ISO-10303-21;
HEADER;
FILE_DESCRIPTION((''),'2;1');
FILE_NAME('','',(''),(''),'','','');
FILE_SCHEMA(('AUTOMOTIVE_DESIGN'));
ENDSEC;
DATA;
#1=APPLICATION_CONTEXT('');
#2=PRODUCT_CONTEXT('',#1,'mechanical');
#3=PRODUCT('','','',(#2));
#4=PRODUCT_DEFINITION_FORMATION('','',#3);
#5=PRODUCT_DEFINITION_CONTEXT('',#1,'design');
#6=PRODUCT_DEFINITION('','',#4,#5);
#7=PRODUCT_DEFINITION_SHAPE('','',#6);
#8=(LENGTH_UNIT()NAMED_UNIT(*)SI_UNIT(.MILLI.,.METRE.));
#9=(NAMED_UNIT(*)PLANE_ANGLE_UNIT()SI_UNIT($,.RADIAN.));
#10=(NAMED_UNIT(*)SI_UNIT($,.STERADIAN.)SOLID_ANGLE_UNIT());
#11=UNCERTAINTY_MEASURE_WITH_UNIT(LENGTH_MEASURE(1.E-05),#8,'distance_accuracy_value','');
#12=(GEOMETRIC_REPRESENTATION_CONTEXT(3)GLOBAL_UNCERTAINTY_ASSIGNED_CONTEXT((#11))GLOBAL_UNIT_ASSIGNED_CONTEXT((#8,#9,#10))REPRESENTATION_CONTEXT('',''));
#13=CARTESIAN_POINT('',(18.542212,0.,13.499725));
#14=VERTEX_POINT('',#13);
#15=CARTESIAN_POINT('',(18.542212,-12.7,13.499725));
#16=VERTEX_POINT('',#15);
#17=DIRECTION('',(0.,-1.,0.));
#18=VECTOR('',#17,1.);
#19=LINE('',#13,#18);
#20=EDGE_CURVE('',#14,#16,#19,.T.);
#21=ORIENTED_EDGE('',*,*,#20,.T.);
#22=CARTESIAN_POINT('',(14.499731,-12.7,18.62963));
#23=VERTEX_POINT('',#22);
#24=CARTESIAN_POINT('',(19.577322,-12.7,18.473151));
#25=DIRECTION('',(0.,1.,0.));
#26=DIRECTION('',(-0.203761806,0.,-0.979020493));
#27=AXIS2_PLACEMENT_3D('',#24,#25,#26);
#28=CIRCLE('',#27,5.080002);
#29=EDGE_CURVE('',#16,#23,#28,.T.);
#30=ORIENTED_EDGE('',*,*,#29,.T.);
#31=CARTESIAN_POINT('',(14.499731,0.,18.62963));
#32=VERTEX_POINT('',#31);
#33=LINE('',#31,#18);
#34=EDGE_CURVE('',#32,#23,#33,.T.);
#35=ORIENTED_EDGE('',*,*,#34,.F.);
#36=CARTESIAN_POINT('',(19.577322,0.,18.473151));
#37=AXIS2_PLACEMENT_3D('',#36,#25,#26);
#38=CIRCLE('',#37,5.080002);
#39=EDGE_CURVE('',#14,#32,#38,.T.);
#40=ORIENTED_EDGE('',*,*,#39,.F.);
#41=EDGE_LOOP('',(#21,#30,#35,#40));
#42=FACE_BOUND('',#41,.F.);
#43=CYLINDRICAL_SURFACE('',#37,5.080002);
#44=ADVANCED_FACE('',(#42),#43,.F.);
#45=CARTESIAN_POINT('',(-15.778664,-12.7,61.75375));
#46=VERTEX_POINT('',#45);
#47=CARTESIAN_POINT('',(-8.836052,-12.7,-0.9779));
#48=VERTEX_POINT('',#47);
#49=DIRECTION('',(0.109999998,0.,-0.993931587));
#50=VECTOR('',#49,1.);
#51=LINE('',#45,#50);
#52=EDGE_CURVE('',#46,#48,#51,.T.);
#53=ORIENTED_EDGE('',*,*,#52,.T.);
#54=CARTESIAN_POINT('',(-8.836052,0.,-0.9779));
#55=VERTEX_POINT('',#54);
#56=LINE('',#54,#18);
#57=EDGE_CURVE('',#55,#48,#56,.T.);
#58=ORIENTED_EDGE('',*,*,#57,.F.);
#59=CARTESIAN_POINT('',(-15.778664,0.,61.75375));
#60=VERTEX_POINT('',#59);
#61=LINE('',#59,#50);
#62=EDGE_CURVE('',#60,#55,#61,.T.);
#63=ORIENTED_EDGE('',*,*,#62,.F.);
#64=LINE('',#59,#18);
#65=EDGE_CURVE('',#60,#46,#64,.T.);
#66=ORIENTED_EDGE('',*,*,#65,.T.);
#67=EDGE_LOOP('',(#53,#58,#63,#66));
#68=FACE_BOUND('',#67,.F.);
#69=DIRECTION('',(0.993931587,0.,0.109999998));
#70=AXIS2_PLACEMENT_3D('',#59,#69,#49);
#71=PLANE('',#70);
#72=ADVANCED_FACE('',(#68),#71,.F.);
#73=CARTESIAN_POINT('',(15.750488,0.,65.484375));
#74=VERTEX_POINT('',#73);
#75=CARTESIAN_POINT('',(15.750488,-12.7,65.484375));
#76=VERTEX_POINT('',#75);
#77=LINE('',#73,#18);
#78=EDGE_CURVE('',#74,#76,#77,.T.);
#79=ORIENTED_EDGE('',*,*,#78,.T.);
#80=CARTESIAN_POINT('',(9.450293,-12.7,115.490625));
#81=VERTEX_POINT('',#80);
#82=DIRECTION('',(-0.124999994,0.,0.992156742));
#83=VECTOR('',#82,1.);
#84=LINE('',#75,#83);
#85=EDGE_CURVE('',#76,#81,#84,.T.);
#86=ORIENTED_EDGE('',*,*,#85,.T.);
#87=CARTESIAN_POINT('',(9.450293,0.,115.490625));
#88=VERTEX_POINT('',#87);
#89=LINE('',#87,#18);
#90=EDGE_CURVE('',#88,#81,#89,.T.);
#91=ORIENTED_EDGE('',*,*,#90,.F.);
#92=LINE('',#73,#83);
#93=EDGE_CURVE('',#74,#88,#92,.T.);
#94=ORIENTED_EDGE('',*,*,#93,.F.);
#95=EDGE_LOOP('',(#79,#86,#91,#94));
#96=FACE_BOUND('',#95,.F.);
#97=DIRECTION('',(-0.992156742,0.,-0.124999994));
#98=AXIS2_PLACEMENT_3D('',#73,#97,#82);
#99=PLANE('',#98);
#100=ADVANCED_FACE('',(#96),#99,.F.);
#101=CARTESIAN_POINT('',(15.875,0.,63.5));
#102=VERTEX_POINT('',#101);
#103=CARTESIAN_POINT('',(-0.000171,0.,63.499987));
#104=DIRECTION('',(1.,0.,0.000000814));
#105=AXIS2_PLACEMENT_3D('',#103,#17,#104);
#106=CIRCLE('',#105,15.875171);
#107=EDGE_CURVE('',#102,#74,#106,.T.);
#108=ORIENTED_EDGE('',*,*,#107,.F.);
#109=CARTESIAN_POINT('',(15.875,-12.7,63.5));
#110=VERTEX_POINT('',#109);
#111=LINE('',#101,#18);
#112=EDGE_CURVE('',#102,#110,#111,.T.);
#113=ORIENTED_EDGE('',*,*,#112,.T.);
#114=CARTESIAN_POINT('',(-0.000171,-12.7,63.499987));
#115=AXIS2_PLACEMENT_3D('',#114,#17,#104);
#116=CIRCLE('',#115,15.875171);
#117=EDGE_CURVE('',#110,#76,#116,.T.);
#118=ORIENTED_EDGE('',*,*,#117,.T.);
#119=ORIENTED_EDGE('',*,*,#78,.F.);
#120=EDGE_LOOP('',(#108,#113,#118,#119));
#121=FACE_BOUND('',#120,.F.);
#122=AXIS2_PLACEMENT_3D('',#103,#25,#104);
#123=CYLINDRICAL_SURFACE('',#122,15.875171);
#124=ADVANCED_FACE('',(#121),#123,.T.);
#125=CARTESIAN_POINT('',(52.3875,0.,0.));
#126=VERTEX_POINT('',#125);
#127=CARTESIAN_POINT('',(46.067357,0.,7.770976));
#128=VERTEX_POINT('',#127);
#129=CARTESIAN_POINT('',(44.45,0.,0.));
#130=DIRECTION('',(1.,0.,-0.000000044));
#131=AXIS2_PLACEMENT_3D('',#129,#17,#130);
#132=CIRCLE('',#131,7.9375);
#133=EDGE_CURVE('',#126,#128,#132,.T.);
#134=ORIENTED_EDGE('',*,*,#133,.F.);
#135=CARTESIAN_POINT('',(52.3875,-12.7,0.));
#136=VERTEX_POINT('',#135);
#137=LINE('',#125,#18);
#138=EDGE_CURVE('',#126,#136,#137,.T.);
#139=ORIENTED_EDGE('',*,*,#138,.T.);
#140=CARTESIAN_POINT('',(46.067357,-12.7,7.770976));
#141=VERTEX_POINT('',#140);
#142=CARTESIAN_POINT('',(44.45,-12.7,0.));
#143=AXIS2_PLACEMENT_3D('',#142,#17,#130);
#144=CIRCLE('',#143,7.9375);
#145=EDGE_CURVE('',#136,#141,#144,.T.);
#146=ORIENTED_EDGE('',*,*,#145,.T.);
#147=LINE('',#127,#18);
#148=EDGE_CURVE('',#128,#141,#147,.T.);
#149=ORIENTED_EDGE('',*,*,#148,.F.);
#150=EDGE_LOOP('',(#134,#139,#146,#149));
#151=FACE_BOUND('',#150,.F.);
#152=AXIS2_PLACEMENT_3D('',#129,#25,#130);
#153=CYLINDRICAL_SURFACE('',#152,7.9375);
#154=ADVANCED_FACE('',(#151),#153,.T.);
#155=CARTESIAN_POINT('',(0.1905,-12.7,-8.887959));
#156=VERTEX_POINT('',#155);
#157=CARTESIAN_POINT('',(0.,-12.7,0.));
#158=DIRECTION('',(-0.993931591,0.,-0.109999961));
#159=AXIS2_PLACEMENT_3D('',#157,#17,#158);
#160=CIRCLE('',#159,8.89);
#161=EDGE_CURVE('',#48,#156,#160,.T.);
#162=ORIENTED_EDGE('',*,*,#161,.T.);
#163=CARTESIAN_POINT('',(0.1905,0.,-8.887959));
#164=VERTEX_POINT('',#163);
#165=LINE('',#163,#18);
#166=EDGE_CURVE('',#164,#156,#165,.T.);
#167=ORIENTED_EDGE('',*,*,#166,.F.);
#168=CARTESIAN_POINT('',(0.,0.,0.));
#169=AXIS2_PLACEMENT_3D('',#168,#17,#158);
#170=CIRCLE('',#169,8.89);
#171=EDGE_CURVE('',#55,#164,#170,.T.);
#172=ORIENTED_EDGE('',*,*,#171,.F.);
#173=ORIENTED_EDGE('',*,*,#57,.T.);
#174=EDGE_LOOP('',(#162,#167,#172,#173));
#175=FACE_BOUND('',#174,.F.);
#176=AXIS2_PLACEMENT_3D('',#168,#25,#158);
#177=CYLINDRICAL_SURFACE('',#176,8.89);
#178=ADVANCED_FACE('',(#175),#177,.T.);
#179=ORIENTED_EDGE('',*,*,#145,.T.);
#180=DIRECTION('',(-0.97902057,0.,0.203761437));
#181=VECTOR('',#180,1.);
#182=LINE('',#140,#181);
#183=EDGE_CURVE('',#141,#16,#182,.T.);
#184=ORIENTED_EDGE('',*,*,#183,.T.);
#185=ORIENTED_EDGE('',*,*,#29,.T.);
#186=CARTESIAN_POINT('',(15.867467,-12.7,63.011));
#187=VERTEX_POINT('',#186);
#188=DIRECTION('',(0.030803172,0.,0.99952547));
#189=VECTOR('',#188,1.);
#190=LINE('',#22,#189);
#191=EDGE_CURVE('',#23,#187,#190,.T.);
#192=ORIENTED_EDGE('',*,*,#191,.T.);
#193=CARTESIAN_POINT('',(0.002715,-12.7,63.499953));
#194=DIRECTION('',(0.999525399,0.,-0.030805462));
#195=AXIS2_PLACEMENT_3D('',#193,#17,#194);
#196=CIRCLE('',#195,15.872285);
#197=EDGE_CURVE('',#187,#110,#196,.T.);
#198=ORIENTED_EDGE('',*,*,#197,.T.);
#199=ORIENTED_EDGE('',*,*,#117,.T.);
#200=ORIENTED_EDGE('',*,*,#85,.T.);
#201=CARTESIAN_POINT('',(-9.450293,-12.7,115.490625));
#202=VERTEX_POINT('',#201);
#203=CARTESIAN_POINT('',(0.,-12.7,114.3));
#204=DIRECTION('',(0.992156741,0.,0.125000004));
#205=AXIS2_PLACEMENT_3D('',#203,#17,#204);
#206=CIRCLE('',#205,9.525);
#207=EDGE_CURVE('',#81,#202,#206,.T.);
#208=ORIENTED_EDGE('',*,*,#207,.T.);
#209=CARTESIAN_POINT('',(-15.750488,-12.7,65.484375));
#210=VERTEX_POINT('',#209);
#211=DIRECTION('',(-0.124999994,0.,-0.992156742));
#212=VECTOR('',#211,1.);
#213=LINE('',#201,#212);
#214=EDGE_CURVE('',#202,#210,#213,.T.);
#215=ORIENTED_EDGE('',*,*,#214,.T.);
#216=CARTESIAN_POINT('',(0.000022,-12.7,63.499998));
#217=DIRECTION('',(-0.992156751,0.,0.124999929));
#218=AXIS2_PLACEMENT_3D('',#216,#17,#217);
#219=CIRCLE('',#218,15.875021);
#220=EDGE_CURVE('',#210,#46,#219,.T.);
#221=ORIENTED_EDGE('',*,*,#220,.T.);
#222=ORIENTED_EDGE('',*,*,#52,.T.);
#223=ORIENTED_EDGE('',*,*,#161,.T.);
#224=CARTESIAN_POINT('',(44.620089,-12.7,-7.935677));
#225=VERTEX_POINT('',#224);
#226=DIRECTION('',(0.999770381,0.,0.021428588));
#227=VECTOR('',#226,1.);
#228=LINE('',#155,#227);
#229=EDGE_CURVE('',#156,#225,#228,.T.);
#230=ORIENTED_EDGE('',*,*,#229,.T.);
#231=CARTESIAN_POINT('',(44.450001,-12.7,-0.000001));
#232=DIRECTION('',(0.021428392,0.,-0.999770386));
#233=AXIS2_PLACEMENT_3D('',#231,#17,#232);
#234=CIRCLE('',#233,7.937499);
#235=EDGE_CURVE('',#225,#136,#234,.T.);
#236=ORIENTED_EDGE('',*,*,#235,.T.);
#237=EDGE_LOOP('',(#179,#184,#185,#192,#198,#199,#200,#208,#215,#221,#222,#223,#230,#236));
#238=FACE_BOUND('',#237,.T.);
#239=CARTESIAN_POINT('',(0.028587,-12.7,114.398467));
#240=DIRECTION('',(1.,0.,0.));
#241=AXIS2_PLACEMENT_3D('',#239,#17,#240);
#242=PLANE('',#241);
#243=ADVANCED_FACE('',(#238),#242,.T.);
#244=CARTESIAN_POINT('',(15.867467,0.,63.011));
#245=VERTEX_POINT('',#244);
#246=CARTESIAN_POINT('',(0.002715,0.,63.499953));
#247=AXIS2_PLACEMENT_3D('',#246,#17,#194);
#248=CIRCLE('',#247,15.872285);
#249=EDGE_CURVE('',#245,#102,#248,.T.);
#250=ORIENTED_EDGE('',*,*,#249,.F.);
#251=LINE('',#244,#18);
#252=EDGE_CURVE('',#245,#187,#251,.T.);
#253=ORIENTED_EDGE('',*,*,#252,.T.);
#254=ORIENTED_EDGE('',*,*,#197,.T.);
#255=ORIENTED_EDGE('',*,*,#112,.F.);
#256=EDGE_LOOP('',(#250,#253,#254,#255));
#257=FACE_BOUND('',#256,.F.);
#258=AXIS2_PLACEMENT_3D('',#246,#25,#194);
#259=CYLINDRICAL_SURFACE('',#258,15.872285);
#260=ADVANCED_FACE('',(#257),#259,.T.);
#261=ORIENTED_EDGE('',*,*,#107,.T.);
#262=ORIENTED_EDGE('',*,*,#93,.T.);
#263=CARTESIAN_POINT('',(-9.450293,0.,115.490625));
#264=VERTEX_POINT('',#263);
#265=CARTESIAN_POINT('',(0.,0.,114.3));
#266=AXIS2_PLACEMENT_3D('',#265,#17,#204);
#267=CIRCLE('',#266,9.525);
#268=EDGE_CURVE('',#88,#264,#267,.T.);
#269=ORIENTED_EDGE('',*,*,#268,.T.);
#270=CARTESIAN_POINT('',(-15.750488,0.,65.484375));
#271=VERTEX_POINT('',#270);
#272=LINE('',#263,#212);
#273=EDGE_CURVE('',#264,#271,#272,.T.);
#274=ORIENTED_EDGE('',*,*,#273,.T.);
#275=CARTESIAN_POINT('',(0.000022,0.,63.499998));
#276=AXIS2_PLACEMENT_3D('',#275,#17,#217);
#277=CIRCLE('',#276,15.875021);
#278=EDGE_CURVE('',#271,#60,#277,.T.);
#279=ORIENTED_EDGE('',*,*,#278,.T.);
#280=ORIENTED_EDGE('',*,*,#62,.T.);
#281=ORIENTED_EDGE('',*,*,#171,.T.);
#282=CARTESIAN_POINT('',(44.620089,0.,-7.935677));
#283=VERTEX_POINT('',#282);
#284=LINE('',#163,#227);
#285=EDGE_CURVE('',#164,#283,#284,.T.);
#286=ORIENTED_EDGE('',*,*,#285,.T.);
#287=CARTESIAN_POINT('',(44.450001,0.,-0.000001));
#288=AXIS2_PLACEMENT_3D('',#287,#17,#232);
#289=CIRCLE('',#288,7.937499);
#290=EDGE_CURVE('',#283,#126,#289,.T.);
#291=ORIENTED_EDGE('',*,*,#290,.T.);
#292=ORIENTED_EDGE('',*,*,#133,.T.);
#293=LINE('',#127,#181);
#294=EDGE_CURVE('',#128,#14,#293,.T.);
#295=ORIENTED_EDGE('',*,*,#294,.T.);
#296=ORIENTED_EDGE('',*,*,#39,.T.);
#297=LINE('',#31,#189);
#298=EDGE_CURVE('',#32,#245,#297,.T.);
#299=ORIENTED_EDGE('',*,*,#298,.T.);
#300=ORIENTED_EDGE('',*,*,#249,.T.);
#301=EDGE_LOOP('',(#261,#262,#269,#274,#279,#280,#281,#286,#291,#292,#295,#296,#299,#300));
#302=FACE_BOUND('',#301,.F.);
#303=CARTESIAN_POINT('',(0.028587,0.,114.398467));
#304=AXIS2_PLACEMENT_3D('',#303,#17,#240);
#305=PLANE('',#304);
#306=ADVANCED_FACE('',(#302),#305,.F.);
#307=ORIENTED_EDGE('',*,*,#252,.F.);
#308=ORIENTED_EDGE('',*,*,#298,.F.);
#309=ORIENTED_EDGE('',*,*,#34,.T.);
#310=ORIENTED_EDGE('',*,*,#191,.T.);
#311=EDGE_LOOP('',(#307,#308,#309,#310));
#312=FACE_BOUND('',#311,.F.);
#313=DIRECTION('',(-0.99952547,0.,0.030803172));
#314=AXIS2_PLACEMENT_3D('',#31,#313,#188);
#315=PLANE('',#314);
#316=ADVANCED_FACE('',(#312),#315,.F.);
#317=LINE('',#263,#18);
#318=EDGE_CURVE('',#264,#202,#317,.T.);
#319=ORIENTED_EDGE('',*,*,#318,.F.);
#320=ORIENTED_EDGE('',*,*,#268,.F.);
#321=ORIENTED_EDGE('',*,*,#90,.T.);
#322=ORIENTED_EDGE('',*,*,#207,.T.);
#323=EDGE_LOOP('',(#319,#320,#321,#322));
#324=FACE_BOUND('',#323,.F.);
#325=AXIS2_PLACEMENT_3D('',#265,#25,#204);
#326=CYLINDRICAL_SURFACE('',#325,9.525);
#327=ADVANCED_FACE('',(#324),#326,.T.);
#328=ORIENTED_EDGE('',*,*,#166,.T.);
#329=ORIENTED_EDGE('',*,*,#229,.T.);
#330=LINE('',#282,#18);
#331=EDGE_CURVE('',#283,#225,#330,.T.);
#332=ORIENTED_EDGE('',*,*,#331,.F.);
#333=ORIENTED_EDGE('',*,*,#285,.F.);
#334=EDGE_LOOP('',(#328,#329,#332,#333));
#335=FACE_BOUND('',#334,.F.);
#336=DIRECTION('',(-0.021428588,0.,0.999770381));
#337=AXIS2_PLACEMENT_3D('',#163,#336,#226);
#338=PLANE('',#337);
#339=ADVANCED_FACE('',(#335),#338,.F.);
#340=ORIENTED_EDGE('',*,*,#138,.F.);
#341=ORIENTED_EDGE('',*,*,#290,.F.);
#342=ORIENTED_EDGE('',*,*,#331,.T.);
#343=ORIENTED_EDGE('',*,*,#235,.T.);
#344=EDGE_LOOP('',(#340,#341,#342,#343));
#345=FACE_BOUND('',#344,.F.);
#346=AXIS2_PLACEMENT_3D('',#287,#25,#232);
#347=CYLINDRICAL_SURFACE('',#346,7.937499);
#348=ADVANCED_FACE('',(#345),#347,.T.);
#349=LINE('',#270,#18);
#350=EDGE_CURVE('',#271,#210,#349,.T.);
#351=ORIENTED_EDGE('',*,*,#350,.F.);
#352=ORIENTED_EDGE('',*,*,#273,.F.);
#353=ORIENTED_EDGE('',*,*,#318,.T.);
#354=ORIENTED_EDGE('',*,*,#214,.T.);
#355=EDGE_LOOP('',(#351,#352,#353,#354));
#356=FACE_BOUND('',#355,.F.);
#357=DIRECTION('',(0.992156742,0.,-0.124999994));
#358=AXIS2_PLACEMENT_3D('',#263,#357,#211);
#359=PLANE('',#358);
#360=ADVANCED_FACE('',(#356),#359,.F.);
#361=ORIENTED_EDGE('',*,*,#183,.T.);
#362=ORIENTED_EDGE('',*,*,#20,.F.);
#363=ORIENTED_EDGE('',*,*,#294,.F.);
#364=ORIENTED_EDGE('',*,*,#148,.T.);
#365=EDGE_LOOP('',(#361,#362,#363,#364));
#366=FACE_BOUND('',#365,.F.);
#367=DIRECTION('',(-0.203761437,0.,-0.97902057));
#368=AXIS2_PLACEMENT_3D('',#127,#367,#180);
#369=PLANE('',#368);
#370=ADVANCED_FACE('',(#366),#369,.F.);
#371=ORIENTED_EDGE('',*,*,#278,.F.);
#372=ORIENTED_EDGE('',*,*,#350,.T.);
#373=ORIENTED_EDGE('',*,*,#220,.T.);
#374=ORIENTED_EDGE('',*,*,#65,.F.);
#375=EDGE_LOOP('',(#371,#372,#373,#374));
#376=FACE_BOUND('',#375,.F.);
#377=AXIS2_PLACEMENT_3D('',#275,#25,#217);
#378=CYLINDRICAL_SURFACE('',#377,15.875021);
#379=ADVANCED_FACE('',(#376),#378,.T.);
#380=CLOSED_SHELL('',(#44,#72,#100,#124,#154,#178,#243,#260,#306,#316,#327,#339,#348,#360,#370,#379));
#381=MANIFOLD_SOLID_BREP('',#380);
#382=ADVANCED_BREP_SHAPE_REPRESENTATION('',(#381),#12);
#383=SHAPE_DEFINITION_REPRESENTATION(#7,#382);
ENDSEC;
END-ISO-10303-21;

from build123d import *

# Parameters (mm, degrees)
F2_DEPTH = 12.7


with BuildPart() as f2:
    # F0 (on Front) → F2 (new body)
    with BuildSketch(Plane.XZ):
        with BuildLine():
            ThreePointArc((-9.450293, 115.490625), (-0.596483, 104.793695), (9.525, 114.3))
            ThreePointArc((9.525, 114.3), (9.506305, 114.896483), (9.450293, 115.490625))
            ThreePointArc((9.450293, 115.490625), (0, 123.825), (-9.450293, 115.490625))
        make_face()
        with BuildLine():
            ThreePointArc((9.450293, 115.490625), (9.506305, 114.896483), (9.525, 114.3))
            ThreePointArc((9.525, 114.3), (-0.596483, 104.793695), (-9.450293, 115.490625))
            Line((-9.450293, 115.490625), (-15.750488, 65.484375))
            ThreePointArc((-15.750488, 65.484375), (0, 79.375), (15.750488, 65.484375))
            Line((15.750488, 65.484375), (9.450293, 115.490625))
        make_face()
        with BuildLine():
            ThreePointArc((15.875, 63.5), (15.843841, 64.494139), (15.750488, 65.484375))
            ThreePointArc((15.750488, 65.484375), (0, 79.375), (-15.750488, 65.484375))
            ThreePointArc((-15.750488, 65.484375), (-15.874547, 63.619893), (-15.778664, 61.75375))
            ThreePointArc((-15.778664, 61.75375), (0.630191, 47.637513), (15.867467, 63.011))
            ThreePointArc((15.867467, 63.011), (15.873117, 63.255471), (15.875, 63.5))
        make_face()
        with BuildLine():
            ThreePointArc((15.867467, 63.011), (0.630191, 47.637513), (-15.778664, 61.75375))
            Line((-15.778664, 61.75375), (-8.836052, -0.9779))
            ThreePointArc((-8.836052, -0.9779), (-0.489693, 8.876503), (8.89, 0))
            ThreePointArc((8.89, 0), (6.353174, -6.218463), (0.1905, -8.887959))
            Line((0.1905, -8.887959), (44.620089, -7.935677))
            ThreePointArc((44.620089, -7.935677), (36.545983, 0.728304), (46.067357, 7.770976))
            Line((46.067357, 7.770976), (18.542212, 13.499725))
            ThreePointArc((18.542212, 13.499725), (15.587302, 15.328925), (14.499731, 18.62963))
            Line((14.499731, 18.62963), (15.867467, 63.011))
        make_face()
        with BuildLine():
            ThreePointArc((8.89, 0), (-0.489693, 8.876503), (-8.836052, -0.9779))
            ThreePointArc((-8.836052, -0.9779), (-5.859066, -6.686064), (0.1905, -8.887959))
            ThreePointArc((0.1905, -8.887959), (6.353174, -6.218463), (8.89, 0))
        make_face()
        with BuildLine():
            ThreePointArc((46.067357, 7.770976), (36.545983, 0.728304), (44.620089, -7.935677))
            ThreePointArc((44.620089, -7.935677), (50.122477, -5.552199), (52.3875, 0))
            ThreePointArc((52.3875, 0), (50.60799, 5.0083), (46.067357, 7.770976))
        make_face()
    extrude(amount=F2_DEPTH)


solid = f2.part
